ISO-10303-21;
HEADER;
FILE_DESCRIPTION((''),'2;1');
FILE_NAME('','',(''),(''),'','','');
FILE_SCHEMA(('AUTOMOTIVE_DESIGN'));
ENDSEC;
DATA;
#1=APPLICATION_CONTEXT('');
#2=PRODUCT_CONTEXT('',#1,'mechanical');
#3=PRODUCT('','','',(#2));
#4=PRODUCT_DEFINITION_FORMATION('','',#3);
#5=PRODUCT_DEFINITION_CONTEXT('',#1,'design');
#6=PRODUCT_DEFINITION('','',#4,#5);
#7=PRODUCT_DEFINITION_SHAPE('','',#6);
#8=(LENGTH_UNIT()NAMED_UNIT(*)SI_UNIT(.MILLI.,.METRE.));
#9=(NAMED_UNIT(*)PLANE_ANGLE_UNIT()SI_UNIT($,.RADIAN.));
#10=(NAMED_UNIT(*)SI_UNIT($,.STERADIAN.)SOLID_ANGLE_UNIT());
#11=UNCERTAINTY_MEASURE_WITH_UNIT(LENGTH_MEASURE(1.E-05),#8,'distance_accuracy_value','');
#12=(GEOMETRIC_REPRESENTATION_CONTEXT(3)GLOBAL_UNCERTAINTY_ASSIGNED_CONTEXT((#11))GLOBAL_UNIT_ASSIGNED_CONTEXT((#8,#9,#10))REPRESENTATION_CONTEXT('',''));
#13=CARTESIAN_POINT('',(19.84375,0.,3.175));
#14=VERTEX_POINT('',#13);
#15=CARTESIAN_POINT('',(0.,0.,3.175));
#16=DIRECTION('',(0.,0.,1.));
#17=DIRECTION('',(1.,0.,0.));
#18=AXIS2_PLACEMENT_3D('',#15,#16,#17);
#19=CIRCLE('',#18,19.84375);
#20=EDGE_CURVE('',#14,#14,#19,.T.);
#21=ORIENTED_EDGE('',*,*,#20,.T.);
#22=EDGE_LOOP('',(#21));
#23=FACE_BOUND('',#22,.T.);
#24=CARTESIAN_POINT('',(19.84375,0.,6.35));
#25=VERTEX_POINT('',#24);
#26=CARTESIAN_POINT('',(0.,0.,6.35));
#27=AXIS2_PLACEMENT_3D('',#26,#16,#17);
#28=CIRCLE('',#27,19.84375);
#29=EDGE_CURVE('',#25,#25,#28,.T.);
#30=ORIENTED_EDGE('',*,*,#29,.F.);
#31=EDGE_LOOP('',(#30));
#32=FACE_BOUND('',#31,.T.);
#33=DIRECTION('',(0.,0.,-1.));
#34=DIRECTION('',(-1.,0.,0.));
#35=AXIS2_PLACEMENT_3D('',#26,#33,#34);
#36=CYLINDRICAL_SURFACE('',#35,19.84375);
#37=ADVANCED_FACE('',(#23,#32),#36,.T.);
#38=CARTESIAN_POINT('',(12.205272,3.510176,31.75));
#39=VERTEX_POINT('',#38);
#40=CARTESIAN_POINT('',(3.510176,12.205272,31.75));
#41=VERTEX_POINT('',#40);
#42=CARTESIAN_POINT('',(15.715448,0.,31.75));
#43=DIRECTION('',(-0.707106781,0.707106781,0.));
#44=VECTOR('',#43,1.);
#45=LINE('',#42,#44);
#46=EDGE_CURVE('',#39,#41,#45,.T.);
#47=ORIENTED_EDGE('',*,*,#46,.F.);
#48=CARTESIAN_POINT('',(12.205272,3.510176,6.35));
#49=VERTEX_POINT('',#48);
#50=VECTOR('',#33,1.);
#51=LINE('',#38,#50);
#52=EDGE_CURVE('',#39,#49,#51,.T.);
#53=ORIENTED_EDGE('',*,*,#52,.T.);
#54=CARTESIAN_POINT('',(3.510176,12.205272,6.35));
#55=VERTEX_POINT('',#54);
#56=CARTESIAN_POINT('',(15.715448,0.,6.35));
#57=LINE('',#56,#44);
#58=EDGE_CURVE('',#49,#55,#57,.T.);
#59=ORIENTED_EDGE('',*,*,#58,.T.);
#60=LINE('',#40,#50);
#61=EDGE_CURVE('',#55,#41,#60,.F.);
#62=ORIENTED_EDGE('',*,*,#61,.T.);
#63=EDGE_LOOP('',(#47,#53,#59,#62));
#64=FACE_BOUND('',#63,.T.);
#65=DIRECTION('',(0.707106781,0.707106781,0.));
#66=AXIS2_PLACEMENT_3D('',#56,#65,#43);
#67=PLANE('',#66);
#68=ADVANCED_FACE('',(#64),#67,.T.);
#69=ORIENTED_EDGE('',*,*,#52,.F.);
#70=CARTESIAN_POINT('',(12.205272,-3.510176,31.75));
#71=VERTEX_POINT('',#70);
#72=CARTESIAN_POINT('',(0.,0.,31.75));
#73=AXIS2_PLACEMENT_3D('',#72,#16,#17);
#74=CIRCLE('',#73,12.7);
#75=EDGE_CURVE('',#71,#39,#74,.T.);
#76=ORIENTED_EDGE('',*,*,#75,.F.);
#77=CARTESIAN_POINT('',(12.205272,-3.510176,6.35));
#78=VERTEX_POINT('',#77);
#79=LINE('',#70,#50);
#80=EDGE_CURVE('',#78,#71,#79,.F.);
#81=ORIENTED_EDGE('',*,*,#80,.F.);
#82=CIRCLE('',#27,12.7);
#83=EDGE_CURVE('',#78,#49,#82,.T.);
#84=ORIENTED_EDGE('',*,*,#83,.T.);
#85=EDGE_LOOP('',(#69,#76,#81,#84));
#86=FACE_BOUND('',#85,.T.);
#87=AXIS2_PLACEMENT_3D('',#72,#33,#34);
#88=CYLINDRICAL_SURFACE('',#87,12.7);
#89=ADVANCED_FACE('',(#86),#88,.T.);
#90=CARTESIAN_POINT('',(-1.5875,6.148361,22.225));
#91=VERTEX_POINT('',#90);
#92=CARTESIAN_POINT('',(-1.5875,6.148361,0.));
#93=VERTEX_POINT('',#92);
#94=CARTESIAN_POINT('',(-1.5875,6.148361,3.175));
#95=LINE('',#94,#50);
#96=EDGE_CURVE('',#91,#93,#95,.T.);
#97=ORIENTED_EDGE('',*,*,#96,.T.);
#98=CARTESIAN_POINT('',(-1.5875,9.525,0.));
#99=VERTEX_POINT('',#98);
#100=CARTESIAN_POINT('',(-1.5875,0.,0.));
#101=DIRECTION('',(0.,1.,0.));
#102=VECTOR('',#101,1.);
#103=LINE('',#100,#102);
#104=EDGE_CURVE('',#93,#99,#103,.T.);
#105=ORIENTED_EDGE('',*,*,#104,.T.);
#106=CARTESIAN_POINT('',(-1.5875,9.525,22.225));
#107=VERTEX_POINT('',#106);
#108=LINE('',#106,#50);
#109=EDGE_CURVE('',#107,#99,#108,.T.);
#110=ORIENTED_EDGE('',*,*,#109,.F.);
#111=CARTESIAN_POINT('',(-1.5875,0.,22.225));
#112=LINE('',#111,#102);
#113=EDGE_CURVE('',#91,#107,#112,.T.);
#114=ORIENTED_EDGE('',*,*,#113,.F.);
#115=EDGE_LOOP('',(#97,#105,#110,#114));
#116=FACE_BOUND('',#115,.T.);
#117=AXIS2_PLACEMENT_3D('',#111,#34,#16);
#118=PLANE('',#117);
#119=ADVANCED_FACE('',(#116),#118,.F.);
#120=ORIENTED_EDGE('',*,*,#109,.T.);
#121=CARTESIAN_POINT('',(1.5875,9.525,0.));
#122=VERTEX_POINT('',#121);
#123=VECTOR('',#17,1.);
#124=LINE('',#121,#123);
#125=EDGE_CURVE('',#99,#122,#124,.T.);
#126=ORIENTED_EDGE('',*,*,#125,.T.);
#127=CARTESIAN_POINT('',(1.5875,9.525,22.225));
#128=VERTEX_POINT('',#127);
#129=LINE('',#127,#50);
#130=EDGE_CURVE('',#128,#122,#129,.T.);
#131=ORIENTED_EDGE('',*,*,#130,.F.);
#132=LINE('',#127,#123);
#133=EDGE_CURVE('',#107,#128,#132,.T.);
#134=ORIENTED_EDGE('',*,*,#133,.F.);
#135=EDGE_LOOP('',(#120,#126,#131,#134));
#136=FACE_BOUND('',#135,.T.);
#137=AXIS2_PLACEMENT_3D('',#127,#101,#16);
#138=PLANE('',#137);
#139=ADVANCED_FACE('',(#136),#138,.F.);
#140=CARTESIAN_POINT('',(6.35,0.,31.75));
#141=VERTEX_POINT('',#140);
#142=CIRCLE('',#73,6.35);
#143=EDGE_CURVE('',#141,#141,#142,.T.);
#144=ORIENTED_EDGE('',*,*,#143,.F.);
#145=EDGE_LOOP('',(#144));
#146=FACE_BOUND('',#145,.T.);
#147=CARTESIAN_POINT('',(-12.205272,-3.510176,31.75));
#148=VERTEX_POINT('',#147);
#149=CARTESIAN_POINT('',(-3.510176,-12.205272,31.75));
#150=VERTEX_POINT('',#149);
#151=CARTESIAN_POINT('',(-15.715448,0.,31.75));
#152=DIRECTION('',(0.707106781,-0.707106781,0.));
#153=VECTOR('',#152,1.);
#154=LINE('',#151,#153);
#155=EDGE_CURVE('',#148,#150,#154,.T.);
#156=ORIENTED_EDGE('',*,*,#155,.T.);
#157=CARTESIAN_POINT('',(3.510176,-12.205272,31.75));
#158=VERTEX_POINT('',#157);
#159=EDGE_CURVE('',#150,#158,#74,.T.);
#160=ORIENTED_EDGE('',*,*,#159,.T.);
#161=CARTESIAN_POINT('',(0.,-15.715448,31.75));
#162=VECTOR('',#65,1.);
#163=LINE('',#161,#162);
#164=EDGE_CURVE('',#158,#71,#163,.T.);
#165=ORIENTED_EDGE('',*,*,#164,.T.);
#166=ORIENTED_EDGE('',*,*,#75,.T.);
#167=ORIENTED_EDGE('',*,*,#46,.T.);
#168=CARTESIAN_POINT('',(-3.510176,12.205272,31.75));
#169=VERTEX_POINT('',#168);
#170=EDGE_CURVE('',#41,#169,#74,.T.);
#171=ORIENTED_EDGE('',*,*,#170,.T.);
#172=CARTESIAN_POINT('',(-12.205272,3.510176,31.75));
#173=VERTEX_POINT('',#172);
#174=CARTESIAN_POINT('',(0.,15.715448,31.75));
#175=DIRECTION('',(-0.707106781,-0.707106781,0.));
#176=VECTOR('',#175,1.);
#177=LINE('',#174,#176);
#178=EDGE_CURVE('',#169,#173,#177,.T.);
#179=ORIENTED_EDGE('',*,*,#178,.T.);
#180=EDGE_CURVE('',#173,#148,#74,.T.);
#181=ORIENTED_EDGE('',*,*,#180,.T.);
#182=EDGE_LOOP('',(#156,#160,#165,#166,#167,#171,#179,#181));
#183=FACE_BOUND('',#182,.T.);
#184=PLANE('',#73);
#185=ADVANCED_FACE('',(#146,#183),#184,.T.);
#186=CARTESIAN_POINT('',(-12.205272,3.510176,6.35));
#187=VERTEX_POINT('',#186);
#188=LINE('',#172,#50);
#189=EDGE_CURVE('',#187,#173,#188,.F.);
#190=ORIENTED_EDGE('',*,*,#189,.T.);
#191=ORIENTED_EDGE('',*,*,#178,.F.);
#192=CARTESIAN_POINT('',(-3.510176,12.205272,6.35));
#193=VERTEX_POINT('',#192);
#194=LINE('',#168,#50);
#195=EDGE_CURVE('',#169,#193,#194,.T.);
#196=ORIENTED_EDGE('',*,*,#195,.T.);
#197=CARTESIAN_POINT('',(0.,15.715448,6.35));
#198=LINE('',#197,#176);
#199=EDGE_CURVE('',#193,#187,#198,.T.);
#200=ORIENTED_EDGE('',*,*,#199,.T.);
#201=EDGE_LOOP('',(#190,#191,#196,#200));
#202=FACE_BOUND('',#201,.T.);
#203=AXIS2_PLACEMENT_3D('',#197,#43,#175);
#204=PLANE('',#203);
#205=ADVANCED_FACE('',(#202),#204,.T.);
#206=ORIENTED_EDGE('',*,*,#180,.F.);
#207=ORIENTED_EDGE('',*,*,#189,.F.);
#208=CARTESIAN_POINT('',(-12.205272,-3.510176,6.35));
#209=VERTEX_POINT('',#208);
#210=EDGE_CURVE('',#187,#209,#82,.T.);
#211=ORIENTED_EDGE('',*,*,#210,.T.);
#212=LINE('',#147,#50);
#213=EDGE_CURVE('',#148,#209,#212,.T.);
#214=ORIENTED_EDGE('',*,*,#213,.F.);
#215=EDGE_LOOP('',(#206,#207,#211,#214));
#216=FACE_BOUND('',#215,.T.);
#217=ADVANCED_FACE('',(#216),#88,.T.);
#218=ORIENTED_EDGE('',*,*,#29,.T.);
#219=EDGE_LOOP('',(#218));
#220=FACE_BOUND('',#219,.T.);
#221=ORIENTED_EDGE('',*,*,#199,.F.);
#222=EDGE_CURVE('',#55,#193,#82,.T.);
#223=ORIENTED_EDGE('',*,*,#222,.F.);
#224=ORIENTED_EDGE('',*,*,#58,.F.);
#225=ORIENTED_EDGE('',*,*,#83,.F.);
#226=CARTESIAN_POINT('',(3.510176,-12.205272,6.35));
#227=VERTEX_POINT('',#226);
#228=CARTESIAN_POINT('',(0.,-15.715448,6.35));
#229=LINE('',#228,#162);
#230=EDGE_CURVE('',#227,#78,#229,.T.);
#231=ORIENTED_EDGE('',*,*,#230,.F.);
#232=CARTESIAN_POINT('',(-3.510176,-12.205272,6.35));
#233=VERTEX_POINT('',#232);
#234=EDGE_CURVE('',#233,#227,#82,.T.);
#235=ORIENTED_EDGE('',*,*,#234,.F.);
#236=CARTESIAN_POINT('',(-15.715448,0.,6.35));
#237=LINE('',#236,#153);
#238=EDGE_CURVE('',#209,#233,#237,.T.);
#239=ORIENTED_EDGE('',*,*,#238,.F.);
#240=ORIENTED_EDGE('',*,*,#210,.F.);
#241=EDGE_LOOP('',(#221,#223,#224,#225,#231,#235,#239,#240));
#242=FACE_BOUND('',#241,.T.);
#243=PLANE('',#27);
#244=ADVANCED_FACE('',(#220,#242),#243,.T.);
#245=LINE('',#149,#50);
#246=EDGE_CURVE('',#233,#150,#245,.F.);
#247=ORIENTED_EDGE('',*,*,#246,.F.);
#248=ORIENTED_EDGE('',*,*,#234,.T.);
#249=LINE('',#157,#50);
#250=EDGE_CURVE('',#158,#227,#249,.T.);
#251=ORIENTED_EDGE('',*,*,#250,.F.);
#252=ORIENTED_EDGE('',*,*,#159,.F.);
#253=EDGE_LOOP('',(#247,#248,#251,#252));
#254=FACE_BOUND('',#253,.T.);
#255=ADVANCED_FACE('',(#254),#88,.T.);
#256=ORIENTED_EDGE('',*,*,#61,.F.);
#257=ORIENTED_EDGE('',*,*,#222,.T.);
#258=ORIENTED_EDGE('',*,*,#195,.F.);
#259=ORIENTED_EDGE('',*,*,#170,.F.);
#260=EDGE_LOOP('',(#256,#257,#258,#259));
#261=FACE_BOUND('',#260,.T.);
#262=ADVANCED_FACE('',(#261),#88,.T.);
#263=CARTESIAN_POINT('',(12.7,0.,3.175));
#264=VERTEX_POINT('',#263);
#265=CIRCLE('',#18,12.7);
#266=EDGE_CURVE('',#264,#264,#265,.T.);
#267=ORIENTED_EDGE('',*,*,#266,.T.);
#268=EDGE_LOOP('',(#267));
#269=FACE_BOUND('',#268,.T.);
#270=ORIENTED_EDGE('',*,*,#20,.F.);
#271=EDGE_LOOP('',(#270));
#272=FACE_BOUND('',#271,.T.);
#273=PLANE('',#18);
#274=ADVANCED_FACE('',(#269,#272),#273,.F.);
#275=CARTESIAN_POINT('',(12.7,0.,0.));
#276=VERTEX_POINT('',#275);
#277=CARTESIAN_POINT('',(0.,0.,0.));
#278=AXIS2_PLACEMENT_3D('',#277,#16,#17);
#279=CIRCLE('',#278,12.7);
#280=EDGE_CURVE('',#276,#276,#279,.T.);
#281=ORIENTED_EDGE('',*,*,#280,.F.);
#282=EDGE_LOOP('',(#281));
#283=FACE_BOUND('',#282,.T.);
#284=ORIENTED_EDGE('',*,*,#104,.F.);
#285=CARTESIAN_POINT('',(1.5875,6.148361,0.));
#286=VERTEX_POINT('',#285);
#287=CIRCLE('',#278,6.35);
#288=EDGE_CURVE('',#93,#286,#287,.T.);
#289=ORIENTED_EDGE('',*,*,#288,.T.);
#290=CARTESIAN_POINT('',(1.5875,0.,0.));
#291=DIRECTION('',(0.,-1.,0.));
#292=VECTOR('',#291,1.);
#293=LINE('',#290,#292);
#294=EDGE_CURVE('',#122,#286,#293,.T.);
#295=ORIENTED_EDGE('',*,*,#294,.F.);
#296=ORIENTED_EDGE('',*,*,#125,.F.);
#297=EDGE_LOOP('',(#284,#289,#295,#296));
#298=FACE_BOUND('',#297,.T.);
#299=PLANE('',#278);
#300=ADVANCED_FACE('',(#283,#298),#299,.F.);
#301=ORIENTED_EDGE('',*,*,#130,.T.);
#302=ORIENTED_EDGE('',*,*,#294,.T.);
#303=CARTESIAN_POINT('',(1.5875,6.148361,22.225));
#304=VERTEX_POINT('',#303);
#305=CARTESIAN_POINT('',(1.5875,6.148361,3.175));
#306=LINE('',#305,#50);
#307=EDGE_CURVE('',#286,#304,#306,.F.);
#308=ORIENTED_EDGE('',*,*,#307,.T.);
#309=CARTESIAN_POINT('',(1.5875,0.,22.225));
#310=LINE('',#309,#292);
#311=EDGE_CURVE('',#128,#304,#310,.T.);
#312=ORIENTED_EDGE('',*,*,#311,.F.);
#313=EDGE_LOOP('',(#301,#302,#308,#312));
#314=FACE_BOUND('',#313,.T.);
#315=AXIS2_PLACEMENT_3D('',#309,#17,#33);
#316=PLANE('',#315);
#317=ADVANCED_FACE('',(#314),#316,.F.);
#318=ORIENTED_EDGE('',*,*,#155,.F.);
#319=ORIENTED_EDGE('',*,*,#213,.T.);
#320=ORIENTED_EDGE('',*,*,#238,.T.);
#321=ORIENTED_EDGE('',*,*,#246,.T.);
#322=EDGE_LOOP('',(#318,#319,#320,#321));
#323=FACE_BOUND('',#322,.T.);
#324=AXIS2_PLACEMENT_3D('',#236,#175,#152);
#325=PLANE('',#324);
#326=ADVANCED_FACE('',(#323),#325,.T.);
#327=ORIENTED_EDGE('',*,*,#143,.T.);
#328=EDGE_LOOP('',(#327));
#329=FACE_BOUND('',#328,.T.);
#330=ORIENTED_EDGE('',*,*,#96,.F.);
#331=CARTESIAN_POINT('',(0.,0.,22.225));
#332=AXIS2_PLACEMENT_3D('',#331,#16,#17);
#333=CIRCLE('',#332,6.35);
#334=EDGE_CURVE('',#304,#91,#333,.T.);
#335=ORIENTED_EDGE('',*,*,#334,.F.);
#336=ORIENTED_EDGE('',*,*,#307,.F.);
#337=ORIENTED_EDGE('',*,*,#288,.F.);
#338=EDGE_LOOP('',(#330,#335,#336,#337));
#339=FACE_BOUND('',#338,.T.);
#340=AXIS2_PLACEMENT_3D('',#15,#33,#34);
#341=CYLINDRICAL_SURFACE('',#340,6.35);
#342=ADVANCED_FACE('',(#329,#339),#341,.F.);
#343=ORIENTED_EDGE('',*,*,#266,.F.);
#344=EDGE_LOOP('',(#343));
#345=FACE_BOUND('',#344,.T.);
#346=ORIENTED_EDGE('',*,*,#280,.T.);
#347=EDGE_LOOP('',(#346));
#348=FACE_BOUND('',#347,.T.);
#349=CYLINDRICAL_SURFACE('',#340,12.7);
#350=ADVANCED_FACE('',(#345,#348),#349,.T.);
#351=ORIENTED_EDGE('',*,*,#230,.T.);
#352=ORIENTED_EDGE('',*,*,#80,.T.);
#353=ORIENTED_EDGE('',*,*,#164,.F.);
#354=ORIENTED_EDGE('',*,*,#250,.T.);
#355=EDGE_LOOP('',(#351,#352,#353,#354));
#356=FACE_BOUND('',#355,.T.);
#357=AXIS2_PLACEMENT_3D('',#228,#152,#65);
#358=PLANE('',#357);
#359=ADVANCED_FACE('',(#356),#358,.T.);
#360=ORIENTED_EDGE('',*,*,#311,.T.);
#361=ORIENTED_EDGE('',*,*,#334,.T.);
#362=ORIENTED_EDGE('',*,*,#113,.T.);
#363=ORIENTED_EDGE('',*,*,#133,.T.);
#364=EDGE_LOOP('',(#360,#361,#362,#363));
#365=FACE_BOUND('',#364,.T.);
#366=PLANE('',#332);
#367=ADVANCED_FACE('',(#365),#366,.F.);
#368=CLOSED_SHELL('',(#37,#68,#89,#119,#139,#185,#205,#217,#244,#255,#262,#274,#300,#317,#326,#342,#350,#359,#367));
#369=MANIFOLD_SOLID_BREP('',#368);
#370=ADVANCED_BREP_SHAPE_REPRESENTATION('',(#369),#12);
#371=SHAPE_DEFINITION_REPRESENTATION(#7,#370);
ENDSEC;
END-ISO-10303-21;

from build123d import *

# Parameters (mm, degrees)
SKETCH1_R           = 12.7
SKETCH1_R_2         = 6.35
BOSS_EXTRUDE1_DEPTH = 3.175
SKETCH2_R           = 19.84375
SKETCH2_R_2         = 6.35
BOSS_EXTRUDE2_DEPTH = 3.175
SKETCH3_R           = 12.7
SKETCH3_R_2         = 6.35
BOSS_EXTRUDE3_DEPTH = 25.4
SKETCH4_W           = 3.175
SKETCH4_H           = 9.525
CUT_EXTRUDE1_DEPTH  = 22.225
SKETCH5_R           = 23.837000359
CUT_EXTRUDE2_DEPTH  = 25.4


with BuildPart() as part:
    # Sketch1 → Boss-Extrude1 (new body)
    with BuildSketch(Plane.XY):
        Circle(SKETCH1_R)
        Circle(SKETCH1_R_2, mode=Mode.SUBTRACT)
    extrude(amount=BOSS_EXTRUDE1_DEPTH)

    # Sketch2 → Boss-Extrude2 (add)
    with BuildSketch(Plane.XY.offset(3.175)):
        Circle(SKETCH2_R)
        Circle(SKETCH2_R_2, mode=Mode.SUBTRACT)
    extrude(amount=BOSS_EXTRUDE2_DEPTH)

    # Sketch3 → Boss-Extrude3 (add)
    with BuildSketch(Plane.XY.offset(6.35)):
        Circle(SKETCH3_R)
        Circle(SKETCH3_R_2, mode=Mode.SUBTRACT)
    extrude(amount=BOSS_EXTRUDE3_DEPTH)

    # Sketch4 → Cut-Extrude1 (cut)
    with BuildSketch(Plane(origin=(0, 0, 0), x_dir=(-1, 0, 0), z_dir=(0, 0, -1))):
        with Locations((0, 4.7625)):
            Rectangle(SKETCH4_W, SKETCH4_H)
    extrude(amount=-CUT_EXTRUDE1_DEPTH, mode=Mode.SUBTRACT)

    # Sketch5 → Cut-Extrude2 (cut)
    with BuildSketch(Plane.XY.offset(31.75)):
        Circle(SKETCH5_R)
        Polygon((0, 15.715448212), (-15.715448212, 0), (0, -15.715448212), (15.715448212, 0), align=None, mode=Mode.SUBTRACT)
    extrude(amount=-CUT_EXTRUDE2_DEPTH, mode=Mode.SUBTRACT)


solid = part.part
